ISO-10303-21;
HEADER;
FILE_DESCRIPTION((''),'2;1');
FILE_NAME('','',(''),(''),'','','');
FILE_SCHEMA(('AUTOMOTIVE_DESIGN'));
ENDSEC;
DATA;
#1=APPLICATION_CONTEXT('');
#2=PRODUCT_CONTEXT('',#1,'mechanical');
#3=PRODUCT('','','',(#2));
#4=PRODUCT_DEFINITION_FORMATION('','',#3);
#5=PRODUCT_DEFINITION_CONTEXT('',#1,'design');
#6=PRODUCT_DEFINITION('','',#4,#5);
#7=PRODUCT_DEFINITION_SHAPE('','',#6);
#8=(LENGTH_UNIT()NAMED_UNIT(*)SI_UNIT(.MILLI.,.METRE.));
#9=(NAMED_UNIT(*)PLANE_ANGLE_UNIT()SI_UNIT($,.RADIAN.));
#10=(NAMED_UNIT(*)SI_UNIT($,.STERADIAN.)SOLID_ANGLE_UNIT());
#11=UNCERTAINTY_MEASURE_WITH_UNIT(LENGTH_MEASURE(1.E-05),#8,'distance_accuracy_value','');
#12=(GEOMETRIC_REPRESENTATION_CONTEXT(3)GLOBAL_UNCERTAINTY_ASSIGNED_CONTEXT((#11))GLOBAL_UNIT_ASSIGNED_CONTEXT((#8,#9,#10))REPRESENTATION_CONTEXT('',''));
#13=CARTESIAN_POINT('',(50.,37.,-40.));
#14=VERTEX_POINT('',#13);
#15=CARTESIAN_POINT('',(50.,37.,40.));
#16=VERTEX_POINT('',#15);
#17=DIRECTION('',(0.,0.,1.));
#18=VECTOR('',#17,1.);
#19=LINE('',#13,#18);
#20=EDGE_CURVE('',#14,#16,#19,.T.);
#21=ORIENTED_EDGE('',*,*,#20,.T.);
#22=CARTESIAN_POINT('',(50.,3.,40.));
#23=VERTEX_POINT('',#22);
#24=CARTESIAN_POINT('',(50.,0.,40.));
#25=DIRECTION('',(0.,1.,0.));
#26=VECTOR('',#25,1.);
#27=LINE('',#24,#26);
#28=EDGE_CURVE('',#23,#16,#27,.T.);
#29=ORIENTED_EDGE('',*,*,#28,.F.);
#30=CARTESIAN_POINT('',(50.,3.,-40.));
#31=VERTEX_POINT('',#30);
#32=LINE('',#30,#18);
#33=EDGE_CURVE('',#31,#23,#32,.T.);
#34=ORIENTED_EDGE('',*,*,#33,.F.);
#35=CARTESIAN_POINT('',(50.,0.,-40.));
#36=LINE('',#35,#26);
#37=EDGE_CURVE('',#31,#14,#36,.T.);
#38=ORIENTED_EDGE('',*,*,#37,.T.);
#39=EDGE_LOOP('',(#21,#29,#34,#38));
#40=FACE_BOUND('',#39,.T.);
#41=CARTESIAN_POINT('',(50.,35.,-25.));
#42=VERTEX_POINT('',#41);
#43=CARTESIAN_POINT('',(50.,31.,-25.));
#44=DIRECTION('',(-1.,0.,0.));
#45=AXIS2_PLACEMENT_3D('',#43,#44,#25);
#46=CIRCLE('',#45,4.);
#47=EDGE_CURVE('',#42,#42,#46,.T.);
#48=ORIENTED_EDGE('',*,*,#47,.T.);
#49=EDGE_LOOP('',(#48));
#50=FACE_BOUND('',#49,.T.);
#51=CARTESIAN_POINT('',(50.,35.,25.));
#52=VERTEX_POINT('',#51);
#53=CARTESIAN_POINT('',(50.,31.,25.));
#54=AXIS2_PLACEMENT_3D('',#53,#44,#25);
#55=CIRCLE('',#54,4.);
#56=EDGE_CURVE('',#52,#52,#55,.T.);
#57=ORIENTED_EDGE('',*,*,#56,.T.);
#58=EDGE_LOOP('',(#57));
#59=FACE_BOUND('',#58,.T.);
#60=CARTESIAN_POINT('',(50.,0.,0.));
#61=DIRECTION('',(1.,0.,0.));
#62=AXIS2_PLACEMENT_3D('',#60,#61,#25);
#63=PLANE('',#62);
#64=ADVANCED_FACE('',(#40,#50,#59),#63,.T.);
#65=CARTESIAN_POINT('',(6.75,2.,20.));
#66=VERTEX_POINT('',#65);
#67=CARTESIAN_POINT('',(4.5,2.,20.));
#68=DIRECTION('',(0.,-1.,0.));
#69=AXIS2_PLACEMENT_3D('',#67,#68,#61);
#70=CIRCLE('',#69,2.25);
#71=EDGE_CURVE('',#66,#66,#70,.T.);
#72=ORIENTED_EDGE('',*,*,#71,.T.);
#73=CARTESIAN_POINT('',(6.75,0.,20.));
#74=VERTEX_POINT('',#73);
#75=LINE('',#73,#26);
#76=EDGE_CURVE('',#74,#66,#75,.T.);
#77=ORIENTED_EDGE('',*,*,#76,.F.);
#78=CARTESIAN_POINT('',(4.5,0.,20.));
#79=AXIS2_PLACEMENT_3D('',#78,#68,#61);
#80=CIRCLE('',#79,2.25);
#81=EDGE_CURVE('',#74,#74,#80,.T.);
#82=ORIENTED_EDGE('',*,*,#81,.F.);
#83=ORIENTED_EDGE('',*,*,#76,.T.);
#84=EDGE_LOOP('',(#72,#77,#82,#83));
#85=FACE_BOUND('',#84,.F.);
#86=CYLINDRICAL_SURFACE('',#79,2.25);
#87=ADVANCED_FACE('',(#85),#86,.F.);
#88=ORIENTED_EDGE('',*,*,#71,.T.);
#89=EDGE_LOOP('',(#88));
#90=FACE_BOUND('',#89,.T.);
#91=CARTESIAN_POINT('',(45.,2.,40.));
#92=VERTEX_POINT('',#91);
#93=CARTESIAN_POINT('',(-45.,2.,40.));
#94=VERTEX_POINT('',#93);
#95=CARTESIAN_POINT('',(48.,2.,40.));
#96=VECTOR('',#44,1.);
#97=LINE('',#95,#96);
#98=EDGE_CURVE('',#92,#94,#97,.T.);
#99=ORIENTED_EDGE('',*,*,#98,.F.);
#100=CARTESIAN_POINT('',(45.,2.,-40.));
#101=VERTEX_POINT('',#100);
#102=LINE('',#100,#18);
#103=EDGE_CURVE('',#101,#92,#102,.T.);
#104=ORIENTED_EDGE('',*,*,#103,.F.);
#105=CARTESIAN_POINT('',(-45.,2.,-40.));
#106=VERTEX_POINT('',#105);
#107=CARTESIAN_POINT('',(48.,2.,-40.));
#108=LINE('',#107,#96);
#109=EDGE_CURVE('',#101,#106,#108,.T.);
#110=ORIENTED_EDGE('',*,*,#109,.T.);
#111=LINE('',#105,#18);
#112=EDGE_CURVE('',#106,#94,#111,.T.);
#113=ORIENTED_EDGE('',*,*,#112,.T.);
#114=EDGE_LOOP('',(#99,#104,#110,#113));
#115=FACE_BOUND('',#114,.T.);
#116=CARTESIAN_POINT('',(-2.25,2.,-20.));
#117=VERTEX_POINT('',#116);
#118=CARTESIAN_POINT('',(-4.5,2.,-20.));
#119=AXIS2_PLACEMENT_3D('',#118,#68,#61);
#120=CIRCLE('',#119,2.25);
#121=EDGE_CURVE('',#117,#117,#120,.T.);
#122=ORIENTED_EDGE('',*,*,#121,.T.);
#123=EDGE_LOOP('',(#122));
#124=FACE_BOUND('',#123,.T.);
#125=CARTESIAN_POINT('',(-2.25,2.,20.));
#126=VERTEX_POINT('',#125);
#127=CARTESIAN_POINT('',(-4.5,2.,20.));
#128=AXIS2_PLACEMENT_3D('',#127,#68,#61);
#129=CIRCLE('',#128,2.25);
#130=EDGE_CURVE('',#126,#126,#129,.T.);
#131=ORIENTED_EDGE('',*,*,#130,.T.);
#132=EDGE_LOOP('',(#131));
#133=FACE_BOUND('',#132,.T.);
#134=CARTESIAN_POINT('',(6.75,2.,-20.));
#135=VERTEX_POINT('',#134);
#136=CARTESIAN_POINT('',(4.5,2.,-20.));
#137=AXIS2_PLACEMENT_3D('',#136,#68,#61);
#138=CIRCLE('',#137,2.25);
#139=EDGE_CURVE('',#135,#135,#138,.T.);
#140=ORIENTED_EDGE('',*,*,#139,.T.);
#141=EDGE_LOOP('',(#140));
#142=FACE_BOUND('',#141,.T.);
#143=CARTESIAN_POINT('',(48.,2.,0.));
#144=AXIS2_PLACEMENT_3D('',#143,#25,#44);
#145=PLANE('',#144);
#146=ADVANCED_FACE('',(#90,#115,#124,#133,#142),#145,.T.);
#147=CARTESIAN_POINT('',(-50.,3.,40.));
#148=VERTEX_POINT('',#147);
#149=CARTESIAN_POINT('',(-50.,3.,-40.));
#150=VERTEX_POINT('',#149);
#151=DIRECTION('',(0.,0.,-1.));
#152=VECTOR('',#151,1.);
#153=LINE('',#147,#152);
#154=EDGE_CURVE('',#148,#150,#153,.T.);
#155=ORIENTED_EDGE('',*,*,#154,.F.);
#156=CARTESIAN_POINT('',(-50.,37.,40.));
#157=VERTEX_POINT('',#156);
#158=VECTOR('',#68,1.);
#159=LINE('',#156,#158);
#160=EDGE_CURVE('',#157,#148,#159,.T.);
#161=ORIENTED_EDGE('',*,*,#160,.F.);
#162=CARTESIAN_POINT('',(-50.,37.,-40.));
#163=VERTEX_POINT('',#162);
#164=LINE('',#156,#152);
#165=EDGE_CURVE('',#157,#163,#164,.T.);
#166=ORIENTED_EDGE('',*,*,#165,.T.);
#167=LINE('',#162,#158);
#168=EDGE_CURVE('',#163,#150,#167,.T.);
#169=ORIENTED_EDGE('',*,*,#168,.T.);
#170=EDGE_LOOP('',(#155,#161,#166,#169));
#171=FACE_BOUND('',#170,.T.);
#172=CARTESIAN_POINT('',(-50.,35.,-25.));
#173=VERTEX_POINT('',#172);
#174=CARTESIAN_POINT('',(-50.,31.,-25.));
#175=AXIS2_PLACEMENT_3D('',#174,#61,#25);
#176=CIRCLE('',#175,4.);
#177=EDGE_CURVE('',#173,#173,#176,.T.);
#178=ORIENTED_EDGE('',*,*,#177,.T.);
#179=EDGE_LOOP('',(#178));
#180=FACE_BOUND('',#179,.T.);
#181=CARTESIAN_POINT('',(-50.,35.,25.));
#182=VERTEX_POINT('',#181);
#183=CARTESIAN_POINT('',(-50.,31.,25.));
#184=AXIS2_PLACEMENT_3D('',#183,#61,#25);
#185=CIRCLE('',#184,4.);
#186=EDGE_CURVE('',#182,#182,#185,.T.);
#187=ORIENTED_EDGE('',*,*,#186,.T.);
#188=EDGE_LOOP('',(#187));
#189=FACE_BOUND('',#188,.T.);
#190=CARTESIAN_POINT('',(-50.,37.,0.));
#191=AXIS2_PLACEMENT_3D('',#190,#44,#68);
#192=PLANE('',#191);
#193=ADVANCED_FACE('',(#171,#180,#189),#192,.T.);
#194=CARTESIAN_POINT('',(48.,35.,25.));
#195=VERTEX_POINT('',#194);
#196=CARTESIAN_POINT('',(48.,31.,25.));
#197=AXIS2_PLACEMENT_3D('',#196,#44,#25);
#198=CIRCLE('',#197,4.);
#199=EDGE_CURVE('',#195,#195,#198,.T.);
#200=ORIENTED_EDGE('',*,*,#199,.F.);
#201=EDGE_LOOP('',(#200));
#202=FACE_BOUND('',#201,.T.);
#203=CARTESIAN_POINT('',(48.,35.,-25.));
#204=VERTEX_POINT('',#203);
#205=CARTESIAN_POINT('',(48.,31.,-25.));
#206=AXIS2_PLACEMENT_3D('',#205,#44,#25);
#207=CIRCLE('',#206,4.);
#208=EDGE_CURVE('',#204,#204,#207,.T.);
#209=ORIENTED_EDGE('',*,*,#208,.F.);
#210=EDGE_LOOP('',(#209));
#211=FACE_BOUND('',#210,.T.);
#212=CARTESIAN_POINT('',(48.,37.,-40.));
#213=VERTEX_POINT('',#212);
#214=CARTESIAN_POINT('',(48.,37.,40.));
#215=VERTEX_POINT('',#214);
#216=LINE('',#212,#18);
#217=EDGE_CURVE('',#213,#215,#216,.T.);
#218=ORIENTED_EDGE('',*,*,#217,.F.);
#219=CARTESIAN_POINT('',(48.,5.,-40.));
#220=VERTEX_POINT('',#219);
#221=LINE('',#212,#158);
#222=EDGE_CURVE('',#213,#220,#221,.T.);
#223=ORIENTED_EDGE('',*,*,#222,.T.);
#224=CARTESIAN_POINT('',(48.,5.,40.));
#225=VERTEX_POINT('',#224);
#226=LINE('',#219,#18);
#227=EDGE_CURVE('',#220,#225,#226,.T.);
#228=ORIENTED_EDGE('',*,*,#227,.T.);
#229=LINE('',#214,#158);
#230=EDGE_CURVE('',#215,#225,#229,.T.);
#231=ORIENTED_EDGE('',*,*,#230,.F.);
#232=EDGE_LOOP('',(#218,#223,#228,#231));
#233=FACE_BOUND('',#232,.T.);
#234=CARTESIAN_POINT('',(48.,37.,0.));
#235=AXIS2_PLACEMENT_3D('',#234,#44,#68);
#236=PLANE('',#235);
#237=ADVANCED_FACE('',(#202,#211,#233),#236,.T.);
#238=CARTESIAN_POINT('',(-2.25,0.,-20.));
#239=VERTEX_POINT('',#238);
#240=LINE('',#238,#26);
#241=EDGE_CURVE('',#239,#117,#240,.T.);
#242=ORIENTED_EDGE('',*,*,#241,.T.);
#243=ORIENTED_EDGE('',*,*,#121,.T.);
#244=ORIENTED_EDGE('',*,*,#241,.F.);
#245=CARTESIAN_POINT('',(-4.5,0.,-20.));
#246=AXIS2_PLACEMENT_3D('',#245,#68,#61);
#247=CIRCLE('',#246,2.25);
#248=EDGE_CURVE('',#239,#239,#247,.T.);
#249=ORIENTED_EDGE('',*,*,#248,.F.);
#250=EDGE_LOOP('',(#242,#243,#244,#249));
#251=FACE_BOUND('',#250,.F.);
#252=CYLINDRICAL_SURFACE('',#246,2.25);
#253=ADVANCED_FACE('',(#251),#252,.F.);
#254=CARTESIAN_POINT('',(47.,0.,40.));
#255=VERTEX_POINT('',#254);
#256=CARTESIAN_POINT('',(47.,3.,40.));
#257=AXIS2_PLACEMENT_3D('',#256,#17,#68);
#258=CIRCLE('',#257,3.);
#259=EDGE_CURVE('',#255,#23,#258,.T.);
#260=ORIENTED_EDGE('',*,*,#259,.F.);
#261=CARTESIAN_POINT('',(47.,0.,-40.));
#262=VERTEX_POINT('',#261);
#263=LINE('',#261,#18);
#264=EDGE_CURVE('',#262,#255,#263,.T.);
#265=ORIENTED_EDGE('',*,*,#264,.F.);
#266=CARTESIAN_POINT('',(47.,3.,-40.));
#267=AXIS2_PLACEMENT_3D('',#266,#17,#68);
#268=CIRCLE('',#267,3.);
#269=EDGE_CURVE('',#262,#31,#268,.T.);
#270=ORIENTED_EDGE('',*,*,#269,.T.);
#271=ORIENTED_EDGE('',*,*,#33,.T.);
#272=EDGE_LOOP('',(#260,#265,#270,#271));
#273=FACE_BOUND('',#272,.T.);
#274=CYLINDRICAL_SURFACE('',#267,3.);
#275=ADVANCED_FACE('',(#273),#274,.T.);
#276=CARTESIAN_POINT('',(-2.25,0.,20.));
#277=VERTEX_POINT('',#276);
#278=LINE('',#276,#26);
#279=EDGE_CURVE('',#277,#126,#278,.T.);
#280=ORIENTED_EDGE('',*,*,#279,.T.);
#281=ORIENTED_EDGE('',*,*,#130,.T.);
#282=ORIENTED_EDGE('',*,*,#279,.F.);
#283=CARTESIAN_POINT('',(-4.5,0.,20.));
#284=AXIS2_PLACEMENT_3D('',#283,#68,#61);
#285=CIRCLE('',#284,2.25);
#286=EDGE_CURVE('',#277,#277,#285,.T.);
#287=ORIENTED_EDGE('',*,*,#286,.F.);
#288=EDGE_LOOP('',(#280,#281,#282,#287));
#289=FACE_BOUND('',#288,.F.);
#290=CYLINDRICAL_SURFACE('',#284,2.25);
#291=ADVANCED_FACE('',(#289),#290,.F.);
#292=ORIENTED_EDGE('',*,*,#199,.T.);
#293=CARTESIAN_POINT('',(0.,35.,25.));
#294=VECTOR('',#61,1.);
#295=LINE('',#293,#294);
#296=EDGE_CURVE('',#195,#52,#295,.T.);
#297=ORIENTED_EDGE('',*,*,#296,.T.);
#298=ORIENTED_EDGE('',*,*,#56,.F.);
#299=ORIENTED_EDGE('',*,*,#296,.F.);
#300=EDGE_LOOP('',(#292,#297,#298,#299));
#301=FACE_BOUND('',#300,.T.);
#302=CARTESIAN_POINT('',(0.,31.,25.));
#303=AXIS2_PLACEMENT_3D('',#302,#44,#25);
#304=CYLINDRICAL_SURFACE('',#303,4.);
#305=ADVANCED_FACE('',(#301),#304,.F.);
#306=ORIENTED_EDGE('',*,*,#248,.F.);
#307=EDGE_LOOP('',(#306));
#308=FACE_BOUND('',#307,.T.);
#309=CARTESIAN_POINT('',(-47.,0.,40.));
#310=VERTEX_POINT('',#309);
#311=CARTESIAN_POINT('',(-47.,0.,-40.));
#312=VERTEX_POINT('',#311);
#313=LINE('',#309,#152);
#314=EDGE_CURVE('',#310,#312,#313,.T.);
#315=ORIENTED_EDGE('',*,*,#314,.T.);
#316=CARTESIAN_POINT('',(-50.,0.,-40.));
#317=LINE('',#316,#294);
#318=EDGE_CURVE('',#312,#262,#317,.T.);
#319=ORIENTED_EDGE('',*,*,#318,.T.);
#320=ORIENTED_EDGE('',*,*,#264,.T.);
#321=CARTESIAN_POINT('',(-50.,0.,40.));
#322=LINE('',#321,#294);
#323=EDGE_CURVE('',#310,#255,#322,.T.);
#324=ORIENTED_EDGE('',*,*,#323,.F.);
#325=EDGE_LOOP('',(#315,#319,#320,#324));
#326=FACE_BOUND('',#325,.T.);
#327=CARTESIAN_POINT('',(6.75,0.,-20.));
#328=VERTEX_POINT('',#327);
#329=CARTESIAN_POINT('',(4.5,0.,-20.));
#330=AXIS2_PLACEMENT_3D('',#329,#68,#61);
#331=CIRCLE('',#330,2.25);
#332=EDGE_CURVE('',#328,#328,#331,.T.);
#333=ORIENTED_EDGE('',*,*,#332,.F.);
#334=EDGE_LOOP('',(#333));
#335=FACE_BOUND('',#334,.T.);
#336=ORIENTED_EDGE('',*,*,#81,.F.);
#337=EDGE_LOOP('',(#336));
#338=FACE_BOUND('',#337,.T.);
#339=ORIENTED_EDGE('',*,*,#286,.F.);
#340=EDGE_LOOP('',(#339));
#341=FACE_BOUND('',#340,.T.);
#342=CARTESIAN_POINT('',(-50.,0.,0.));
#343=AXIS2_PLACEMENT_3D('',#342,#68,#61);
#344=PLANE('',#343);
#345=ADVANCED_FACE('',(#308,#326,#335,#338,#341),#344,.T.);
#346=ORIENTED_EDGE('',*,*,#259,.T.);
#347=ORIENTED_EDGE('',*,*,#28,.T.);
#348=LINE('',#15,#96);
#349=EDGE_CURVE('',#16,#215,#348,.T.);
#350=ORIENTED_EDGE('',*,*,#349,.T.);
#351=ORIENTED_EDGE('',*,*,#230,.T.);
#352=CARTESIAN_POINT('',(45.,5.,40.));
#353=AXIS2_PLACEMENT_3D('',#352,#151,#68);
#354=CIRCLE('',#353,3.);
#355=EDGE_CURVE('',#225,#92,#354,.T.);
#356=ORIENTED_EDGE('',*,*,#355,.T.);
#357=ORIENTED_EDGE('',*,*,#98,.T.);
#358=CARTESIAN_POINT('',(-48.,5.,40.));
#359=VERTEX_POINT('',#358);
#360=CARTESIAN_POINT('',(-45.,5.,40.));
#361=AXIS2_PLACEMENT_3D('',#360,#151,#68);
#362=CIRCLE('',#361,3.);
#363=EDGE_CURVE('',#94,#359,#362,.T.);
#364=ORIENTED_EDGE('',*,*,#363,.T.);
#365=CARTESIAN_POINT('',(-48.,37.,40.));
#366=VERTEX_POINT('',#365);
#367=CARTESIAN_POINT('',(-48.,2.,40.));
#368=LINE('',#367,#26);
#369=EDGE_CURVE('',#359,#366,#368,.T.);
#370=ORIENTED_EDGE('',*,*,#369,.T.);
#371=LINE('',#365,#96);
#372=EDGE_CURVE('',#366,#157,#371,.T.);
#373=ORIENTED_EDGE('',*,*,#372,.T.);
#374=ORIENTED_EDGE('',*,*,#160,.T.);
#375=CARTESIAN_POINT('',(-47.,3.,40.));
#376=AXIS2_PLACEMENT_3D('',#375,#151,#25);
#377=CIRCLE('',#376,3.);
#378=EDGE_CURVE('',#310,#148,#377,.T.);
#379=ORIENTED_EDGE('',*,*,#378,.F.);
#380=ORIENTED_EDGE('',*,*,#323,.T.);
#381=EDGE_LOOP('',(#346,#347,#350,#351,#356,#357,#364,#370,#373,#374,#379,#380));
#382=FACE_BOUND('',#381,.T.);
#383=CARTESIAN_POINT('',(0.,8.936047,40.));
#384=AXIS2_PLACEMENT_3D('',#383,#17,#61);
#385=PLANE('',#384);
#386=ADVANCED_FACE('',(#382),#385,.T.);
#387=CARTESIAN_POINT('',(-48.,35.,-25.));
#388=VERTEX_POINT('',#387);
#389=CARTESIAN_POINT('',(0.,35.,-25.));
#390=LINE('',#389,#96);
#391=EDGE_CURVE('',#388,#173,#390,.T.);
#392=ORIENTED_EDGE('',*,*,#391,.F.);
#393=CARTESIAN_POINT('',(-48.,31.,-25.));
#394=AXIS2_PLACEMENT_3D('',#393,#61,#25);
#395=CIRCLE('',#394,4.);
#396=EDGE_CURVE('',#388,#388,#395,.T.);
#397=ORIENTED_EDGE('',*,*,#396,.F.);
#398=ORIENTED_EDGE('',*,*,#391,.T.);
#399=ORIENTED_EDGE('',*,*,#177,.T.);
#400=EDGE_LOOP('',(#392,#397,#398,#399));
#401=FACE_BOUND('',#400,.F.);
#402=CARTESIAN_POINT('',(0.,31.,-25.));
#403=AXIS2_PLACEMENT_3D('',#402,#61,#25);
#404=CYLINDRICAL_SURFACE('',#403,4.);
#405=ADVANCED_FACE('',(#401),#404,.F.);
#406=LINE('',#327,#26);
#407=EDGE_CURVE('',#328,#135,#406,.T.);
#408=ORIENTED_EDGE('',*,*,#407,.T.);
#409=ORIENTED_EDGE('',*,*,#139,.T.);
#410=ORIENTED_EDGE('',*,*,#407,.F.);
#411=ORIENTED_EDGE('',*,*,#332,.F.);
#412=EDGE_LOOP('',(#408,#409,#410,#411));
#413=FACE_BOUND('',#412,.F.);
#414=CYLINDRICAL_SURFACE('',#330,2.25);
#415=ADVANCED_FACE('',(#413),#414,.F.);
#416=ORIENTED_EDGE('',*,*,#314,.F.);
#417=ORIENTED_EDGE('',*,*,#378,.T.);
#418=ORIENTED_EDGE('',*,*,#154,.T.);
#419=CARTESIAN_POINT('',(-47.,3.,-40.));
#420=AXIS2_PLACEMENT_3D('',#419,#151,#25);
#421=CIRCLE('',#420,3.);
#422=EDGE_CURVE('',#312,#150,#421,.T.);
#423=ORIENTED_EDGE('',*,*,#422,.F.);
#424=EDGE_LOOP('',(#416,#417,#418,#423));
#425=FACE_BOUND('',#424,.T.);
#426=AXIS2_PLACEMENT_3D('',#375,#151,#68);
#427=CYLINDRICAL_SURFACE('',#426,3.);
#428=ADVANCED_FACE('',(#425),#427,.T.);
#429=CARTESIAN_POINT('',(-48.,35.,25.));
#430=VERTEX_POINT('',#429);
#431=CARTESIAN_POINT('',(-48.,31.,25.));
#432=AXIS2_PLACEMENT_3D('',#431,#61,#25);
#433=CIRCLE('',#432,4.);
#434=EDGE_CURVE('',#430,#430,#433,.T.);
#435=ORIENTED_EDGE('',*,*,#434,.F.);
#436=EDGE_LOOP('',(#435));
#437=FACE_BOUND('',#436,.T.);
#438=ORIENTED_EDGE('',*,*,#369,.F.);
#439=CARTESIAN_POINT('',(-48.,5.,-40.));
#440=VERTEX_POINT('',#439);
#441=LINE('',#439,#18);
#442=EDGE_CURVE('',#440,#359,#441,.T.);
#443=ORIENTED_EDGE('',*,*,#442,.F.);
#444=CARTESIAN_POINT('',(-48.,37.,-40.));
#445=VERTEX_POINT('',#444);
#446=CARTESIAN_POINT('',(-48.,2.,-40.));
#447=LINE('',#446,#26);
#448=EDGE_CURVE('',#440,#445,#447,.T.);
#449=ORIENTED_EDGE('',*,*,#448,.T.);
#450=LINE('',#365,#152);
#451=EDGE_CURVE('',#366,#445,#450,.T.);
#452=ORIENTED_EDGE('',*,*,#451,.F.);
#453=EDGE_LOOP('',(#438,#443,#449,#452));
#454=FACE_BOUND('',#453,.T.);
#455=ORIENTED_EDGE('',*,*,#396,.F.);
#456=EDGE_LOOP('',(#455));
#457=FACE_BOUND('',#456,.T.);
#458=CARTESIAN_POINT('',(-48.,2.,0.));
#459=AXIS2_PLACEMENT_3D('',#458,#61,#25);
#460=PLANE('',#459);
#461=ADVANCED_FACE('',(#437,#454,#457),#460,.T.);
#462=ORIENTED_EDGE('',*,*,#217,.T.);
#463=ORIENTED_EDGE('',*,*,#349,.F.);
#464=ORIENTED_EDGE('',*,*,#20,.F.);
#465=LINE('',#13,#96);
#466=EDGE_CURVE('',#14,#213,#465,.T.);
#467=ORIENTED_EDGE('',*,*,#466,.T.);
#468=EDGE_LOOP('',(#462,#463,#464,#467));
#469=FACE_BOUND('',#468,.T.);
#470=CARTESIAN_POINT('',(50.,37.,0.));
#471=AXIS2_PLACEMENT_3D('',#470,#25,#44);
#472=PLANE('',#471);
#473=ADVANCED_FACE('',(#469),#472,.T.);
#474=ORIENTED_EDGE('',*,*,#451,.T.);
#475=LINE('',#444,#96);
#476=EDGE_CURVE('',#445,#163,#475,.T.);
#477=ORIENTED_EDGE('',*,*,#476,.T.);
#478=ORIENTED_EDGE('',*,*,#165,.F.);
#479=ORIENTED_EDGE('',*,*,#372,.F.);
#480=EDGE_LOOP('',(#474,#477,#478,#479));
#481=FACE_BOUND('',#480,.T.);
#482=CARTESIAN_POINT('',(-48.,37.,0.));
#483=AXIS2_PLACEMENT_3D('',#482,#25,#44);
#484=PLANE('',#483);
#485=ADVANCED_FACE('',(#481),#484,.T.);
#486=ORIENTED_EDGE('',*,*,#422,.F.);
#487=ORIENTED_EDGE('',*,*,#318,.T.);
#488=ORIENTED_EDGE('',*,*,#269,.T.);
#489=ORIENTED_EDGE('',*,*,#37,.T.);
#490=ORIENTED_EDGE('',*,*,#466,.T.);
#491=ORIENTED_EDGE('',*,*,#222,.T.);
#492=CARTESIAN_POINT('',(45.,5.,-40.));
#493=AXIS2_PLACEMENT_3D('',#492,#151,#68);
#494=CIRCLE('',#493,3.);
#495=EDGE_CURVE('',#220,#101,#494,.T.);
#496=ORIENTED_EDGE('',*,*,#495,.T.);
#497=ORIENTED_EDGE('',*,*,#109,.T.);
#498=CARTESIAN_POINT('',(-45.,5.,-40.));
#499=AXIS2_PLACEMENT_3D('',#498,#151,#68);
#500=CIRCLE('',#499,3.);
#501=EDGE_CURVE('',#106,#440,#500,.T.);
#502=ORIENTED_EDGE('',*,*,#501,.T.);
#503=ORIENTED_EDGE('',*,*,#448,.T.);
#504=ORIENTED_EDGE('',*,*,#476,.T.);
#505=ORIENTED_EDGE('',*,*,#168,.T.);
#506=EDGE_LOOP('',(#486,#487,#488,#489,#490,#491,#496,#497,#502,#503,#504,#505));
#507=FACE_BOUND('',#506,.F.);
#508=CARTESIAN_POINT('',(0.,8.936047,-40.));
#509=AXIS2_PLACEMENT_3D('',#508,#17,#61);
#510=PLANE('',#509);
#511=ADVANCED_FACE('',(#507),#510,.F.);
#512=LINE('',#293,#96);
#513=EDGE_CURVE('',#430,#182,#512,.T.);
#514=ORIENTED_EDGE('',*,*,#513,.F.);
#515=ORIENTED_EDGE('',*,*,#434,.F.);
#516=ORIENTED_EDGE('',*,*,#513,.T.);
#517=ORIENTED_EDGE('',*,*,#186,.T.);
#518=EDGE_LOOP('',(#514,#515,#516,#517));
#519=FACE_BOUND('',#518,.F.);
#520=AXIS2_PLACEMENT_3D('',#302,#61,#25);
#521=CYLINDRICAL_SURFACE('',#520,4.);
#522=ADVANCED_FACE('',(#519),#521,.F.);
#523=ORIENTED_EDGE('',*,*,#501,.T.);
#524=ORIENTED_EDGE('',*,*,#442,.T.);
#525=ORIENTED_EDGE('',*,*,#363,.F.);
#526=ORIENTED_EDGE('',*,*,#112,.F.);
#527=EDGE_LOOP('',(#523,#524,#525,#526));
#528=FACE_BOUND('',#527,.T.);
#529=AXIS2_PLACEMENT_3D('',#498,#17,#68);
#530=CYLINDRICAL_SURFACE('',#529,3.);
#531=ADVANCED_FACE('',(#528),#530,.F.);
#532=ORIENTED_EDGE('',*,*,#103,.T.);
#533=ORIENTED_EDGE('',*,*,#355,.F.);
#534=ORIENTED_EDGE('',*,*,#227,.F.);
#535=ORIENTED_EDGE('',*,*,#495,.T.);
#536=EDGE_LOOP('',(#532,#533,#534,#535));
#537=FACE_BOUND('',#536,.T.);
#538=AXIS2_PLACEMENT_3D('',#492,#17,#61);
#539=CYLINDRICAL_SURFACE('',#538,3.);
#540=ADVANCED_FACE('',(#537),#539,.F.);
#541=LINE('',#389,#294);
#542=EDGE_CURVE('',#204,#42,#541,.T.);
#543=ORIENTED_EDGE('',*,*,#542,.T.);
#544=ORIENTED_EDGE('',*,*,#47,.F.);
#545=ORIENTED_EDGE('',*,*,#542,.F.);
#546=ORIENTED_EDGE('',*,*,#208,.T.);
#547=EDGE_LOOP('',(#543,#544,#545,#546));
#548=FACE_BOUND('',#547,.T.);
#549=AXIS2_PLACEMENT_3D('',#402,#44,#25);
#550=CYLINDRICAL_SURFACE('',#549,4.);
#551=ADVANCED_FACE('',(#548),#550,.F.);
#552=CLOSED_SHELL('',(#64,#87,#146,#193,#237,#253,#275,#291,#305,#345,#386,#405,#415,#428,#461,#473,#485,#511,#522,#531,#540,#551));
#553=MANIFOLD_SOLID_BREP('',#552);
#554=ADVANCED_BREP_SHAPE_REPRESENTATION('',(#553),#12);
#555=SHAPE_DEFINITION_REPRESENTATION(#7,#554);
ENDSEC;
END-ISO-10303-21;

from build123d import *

# Parameters (mm, degrees)
PAD_DEPTH            = 40
SKETCH001_R          = 4
POCKET_DEPTH         = 50.001
POCKET_DEPTH_BACK    = -50.001
SKETCH002_R          = 2.25
POCKET001_DEPTH      = 37.001
POCKET001_DEPTH_BACK = -0.001
FILLET_R             = 3


with BuildPart() as part:
    # Sketch → Pad (new body, symmetric)
    with BuildSketch(Plane.XY):
        Polygon((-50, 0), (50, 0), (50, 37), (48, 37), (48, 2), (-48, 2), (-48, 37), (-50, 37), align=None)
    extrude(amount=PAD_DEPTH, both=True)

    # Sketch001 → Pocket (cut, two sides)
    with BuildSketch(Plane.YZ) as pocket_sk:
        with Locations((31, 25)):
            Circle(SKETCH001_R)
        with Locations((31, -25)):
            Circle(SKETCH001_R)
    extrude(amount=-POCKET_DEPTH, mode=Mode.SUBTRACT)
    extrude(pocket_sk.sketch, amount=-POCKET_DEPTH_BACK, mode=Mode.SUBTRACT)

    # Sketch002 → Pocket001 (cut, two sides)
    with BuildSketch(Plane.XZ) as pocket001_sk:
        with Locations((-4.5, 20)):
            Circle(SKETCH002_R)
        with Locations((4.5, 20)):
            Circle(SKETCH002_R)
        with Locations((-4.5, -20)):
            Circle(SKETCH002_R)
        with Locations((4.5, -20)):
            Circle(SKETCH002_R)
    extrude(amount=-POCKET001_DEPTH, mode=Mode.SUBTRACT)
    extrude(pocket001_sk.sketch, amount=-POCKET001_DEPTH_BACK, mode=Mode.SUBTRACT)

    # Fillet
    fillet_edges = [part.edges().sort_by_distance(p)[0] for p in [
        (48, 2, 0),
        (-48, 2, 0),
        (50, 0, 0),
        (-50, 0, 0),
    ]]
    fillet(fillet_edges, radius=FILLET_R)


solid = part.part
